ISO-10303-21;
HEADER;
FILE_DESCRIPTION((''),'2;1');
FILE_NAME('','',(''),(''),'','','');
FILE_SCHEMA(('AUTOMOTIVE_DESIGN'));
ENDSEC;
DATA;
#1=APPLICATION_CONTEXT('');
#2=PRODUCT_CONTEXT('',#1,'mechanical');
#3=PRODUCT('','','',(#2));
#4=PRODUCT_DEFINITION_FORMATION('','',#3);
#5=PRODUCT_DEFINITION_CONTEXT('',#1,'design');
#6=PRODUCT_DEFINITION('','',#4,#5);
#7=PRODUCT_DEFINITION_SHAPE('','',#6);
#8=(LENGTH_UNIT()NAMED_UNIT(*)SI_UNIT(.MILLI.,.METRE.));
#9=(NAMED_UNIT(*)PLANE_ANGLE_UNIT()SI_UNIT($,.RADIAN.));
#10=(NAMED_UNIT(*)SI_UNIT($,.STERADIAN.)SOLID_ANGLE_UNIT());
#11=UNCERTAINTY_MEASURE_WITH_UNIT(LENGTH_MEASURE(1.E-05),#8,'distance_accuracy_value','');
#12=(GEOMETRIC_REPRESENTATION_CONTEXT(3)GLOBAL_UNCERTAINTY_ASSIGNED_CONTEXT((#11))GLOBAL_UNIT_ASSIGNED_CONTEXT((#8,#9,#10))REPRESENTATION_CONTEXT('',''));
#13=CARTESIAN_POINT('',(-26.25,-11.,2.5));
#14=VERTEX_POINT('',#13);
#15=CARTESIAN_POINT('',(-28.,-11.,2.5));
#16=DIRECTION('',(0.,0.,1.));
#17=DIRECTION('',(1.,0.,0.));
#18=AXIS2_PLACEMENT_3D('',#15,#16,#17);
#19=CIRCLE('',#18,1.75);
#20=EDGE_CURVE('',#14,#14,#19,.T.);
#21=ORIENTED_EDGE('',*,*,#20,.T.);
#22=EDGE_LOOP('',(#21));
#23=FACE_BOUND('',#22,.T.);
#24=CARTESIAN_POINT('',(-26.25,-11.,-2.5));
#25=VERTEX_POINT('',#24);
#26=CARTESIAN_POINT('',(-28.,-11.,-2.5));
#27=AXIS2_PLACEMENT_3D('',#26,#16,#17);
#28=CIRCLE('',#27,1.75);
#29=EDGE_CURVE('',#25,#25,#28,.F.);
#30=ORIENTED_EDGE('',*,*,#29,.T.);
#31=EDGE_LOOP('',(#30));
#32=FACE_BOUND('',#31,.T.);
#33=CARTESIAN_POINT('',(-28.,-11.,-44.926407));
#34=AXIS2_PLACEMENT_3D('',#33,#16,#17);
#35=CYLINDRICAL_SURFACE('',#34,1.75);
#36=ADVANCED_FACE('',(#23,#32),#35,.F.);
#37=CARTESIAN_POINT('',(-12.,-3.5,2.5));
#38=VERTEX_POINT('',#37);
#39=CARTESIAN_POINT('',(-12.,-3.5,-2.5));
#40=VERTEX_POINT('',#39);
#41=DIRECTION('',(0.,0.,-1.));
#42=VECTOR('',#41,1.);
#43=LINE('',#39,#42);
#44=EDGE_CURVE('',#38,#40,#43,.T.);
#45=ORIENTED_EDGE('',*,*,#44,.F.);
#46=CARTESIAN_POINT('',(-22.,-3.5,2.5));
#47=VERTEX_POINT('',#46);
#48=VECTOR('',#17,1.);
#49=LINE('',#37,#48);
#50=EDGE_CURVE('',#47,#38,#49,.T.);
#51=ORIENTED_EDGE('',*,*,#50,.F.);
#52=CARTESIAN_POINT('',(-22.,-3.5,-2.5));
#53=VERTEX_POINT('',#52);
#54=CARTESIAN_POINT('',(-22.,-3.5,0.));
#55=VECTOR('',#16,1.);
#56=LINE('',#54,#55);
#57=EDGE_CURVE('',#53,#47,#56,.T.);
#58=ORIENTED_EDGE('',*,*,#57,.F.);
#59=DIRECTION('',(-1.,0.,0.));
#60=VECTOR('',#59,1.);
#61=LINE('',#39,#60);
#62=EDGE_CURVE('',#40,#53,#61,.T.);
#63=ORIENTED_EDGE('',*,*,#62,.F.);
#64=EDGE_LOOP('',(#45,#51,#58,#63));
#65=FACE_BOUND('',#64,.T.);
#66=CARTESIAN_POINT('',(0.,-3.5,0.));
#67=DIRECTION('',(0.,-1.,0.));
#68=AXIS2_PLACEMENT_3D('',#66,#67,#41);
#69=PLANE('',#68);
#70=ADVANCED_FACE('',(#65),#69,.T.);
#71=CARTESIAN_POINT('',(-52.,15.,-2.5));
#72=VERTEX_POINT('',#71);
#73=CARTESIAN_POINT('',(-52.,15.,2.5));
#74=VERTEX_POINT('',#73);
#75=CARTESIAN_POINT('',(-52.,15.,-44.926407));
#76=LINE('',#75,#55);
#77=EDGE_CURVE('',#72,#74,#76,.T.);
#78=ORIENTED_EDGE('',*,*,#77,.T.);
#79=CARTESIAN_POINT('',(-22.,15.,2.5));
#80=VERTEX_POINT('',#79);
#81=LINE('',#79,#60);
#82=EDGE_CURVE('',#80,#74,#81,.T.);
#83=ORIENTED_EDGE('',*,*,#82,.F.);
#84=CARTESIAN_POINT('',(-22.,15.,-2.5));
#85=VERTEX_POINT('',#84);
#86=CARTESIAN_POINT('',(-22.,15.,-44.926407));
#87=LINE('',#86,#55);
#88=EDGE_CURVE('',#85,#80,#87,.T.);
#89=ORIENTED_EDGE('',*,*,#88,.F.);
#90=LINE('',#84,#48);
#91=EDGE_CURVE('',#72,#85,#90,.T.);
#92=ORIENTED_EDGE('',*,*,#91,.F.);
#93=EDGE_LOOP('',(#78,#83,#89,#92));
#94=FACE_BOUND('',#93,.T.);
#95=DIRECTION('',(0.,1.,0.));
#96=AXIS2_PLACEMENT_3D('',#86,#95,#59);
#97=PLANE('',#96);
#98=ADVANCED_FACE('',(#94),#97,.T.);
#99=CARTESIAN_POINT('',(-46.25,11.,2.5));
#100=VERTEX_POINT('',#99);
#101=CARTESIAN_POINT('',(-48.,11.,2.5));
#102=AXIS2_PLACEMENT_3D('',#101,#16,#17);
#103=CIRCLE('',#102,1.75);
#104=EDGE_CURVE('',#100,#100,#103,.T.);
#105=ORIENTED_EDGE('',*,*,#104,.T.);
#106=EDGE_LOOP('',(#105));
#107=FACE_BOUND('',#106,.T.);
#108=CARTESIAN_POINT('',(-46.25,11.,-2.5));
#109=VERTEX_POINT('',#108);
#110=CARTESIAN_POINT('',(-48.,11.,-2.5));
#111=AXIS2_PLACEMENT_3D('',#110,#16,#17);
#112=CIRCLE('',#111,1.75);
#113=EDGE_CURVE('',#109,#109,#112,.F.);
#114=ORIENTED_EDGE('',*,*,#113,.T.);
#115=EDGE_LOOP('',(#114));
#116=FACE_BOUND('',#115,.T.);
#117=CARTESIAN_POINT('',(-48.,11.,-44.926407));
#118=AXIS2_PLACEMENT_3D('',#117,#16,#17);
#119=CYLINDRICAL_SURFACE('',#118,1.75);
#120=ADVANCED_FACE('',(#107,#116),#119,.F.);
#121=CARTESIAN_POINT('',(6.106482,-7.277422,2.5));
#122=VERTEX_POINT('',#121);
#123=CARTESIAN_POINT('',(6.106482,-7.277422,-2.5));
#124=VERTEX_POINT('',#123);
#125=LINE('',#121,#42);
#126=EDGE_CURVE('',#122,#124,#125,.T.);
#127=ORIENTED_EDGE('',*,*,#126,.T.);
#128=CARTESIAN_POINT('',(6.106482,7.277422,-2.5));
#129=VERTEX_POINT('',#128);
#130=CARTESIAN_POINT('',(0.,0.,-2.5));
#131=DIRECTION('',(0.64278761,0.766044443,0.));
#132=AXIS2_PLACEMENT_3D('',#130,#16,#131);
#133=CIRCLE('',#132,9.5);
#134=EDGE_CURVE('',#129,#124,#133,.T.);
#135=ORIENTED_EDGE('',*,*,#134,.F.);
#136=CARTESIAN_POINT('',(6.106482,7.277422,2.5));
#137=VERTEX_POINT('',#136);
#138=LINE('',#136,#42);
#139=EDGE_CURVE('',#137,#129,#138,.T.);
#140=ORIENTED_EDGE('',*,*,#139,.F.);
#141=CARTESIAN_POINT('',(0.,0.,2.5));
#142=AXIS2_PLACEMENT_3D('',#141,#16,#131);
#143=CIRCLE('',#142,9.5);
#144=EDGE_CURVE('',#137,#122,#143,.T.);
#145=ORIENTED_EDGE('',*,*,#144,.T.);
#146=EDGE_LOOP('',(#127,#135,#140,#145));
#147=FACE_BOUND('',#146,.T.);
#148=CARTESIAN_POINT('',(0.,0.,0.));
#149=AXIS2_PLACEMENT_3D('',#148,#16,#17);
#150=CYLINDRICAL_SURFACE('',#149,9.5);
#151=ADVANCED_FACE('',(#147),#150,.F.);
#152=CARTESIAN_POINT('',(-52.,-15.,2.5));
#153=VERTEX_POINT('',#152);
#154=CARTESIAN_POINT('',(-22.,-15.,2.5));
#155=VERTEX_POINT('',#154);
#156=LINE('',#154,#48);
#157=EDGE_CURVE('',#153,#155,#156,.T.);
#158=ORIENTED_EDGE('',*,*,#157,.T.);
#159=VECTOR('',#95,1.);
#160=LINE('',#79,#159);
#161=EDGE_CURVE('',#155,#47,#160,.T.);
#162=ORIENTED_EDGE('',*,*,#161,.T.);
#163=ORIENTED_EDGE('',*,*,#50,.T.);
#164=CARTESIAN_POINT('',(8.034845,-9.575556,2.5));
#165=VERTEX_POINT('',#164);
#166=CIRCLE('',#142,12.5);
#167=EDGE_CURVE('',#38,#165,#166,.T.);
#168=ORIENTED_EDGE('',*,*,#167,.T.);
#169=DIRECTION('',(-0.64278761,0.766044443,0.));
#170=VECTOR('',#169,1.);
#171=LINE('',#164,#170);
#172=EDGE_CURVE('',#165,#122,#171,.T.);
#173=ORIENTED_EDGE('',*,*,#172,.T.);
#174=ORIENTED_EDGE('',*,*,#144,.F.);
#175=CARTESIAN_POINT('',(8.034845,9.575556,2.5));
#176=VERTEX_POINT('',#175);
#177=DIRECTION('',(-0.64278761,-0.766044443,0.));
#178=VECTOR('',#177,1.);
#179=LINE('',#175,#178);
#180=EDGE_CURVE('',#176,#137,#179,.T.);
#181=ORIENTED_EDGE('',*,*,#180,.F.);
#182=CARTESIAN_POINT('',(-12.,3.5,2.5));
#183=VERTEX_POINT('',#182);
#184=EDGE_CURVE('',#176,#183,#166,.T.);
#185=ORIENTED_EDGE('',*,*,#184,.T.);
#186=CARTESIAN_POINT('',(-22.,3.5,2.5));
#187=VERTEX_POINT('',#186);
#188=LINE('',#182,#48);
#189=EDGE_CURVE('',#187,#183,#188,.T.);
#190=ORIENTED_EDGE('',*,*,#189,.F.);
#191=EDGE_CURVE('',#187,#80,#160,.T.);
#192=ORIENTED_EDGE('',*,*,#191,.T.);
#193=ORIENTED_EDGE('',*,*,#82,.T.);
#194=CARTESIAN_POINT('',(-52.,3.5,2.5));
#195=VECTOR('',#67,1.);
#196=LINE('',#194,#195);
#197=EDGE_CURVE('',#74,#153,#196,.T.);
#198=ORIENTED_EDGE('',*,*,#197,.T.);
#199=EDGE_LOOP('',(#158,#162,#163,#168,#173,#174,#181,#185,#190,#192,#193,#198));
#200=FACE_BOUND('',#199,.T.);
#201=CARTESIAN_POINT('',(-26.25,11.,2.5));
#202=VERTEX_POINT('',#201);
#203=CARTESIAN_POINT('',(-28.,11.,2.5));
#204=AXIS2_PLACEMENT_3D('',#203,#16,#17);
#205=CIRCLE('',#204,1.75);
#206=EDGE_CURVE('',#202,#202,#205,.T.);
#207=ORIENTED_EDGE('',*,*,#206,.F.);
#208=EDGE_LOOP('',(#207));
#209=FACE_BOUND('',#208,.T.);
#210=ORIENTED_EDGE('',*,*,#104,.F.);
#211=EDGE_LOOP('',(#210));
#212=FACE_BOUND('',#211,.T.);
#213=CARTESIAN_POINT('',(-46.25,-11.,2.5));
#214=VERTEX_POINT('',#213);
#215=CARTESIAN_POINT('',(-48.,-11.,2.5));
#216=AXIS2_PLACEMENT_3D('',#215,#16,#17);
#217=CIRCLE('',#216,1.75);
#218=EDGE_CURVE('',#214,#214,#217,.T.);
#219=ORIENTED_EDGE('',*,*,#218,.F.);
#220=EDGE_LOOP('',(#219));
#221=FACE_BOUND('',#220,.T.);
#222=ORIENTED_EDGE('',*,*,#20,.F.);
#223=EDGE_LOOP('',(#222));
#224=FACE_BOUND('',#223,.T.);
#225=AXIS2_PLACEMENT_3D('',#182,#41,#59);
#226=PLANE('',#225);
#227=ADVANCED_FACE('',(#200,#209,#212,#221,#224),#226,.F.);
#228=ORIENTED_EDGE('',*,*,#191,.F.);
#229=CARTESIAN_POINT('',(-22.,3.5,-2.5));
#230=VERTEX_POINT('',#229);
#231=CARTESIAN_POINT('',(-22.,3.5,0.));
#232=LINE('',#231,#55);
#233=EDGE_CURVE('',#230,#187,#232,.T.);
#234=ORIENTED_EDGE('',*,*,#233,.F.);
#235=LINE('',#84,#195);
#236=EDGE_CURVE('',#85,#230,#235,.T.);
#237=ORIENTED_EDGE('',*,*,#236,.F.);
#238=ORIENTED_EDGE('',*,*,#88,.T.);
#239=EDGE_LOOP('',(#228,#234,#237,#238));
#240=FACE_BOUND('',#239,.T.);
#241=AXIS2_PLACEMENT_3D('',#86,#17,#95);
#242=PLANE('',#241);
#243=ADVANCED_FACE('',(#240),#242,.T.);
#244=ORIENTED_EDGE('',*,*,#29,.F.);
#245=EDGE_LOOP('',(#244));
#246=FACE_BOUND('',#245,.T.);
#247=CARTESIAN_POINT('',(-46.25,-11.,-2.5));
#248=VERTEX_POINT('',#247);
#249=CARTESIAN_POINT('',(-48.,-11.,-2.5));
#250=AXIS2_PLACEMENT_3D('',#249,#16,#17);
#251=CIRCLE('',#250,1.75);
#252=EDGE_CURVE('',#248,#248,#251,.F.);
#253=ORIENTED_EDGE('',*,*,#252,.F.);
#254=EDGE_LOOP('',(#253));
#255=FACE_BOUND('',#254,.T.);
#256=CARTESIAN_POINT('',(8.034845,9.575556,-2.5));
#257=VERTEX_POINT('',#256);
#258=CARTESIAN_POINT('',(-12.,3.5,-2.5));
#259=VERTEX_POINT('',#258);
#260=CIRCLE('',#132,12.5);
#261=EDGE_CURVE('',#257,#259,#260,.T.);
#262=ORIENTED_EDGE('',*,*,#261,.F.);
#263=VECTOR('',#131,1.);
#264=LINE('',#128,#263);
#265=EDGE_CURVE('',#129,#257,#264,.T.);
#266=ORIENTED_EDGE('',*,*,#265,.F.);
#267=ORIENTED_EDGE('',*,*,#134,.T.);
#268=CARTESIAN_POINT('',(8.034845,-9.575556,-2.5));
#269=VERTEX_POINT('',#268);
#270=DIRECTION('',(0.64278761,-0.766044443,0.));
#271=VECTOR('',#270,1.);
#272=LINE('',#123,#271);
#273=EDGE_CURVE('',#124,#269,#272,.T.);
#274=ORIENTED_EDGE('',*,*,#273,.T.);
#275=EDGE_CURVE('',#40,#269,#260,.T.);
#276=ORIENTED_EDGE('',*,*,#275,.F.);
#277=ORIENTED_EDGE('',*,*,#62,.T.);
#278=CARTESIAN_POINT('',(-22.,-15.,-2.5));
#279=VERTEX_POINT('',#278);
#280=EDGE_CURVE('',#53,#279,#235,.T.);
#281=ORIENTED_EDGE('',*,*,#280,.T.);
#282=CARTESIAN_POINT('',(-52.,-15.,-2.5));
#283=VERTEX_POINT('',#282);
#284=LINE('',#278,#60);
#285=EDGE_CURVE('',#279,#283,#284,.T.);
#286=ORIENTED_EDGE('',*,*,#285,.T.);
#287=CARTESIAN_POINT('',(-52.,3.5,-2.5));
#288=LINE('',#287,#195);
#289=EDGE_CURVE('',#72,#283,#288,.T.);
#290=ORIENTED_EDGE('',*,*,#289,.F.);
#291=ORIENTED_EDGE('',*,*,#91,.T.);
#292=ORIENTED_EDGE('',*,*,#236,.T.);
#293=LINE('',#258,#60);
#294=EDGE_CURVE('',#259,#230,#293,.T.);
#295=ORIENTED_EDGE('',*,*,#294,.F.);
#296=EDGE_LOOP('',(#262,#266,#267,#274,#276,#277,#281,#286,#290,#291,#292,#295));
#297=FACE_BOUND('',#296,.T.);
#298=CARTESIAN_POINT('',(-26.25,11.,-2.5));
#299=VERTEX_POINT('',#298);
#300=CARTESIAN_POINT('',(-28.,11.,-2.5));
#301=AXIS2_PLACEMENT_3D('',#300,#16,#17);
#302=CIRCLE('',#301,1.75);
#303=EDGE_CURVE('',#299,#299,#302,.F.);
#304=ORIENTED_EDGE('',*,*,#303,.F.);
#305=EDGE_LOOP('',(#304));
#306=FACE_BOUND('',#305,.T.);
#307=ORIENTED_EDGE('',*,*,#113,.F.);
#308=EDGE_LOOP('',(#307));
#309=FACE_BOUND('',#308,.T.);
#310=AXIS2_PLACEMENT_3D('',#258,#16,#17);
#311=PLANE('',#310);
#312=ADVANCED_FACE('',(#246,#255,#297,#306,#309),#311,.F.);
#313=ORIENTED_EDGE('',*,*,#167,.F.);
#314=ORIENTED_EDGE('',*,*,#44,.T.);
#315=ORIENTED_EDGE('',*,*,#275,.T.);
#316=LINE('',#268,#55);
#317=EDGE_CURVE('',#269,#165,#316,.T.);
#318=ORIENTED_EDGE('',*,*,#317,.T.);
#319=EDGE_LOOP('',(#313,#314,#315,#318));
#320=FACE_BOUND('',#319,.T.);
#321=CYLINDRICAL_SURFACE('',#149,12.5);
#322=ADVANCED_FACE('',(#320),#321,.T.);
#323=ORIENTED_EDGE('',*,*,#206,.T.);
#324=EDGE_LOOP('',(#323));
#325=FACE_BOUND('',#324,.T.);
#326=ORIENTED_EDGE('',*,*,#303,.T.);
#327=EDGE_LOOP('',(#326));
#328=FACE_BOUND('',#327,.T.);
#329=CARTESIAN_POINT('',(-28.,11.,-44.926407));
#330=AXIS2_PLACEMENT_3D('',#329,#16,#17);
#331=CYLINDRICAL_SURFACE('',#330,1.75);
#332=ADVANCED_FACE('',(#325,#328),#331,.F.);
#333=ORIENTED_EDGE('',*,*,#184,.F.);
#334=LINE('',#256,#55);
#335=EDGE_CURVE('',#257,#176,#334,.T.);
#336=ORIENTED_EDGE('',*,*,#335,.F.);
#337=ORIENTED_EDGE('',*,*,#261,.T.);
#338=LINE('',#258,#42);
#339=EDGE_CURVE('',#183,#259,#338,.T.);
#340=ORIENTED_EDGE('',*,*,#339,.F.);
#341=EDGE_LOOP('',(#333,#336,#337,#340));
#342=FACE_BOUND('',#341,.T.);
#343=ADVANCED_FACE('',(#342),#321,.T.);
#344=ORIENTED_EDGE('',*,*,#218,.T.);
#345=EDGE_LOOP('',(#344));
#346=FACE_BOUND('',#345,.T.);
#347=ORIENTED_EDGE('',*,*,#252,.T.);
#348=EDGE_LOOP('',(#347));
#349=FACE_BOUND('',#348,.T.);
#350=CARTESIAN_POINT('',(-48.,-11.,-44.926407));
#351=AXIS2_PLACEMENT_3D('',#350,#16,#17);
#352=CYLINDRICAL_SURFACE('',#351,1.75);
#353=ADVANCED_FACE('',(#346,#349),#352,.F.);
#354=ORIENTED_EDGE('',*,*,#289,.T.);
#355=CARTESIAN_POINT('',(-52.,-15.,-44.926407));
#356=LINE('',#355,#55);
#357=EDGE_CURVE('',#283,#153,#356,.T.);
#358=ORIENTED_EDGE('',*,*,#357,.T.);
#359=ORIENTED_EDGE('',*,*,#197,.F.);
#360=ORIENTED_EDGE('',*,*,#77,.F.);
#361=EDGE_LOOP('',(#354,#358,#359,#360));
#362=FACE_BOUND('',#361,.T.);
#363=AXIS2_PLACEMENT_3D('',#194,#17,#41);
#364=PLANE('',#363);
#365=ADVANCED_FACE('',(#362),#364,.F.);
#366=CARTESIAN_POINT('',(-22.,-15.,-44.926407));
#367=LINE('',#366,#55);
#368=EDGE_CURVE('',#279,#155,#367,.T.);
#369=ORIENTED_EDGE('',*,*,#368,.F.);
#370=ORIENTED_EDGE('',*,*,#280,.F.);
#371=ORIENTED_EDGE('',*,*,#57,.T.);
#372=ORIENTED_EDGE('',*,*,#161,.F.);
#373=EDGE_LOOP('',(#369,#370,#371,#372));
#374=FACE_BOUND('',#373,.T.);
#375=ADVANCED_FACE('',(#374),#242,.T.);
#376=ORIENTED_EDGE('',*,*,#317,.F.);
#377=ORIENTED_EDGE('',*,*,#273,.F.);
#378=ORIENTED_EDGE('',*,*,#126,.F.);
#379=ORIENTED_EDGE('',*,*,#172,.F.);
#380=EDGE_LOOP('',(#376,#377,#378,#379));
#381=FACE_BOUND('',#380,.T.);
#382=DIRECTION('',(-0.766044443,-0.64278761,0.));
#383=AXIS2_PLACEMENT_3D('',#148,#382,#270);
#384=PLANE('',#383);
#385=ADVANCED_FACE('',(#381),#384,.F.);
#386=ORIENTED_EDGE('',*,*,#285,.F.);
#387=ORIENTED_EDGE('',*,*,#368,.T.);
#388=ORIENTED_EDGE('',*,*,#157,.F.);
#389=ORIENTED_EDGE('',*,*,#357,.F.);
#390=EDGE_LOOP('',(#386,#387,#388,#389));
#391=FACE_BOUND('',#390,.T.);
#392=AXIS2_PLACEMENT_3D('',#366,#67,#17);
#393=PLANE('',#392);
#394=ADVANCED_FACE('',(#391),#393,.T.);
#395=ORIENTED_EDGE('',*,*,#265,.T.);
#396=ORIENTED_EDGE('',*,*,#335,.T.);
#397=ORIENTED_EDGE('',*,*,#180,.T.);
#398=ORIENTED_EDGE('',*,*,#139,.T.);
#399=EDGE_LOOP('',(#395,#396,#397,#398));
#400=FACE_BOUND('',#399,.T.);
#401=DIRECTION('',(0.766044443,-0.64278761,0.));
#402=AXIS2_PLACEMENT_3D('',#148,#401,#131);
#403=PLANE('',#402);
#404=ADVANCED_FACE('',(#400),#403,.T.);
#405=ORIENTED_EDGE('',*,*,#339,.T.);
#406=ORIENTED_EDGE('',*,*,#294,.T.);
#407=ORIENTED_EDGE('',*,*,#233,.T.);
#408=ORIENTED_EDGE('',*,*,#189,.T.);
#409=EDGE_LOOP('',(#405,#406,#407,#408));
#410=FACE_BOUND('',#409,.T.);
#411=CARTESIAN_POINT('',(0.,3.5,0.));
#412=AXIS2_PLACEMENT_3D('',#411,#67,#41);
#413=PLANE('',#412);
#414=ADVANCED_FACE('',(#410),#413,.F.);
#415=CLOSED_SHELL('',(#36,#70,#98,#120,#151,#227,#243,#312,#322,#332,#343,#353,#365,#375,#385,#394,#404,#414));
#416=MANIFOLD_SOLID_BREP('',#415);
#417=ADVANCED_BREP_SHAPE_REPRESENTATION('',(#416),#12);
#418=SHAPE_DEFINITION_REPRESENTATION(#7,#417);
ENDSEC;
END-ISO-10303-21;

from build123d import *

# Parameters (mm, degrees)
ESBO_O14_W               = 40
ESBO_O14_H               = 5
RESSALTO_EXTRUS_O1_DEPTH = 3.5
ESBO_O15_W               = 30
ESBO_O15_H               = 30
ESBO_O15_R               = 1.75
RESSALTO_EXTRUS_O2_DEPTH = 5


with BuildPart() as part:
    # Esboço14 → Ressalto-extrusão1 (new, symmetric)
    with BuildSketch(Plane(origin=(0, 0, 0), x_dir=(1, 0, 0), z_dir=(0, 1, 0))):
        with Locations((-32, 0)):
            Rectangle(ESBO_O14_W, ESBO_O14_H)
    extrude(amount=RESSALTO_EXTRUS_O1_DEPTH, both=True)

    # Varredura1: sweep along a path in Esboço1
    with BuildLine(Plane.XY) as varredura1_path:
        ThreePointArc((7.070663707, 8.426488874), (-11, 0), (7.070663707, -8.426488874))
    # 3DSketch2 → Varredura1 (sweep)
    with BuildSketch(Plane(origin=(8.034845121, -9.575555539, 2.5), x_dir=(-0.33071149682512846, 0.39412661445355873, -0.8574929257125443), z_dir=(0.7660444431189768, 0.6427876096865409, 3.624573608241852e-15))):
        Polygon((0, 0), (1.543487266, 2.572478777), (5.830951895, 0), (4.287464629, -2.572478777), align=None)
    sweep(path=varredura1_path.line)

    # Esboço15 → Ressalto-extrusão2 (add)
    with BuildSketch(Plane.XY.offset(2.5)):
        with Locations((-37, 0)):
            Rectangle(ESBO_O15_W, ESBO_O15_H)
        with Locations((-48, 11)):
            Circle(ESBO_O15_R, mode=Mode.SUBTRACT)
        with Locations((-28, 11)):
            Circle(ESBO_O15_R, mode=Mode.SUBTRACT)
        with Locations((-28, -11)):
            Circle(ESBO_O15_R, mode=Mode.SUBTRACT)
        with Locations((-48, -11)):
            Circle(ESBO_O15_R, mode=Mode.SUBTRACT)
    extrude(amount=-RESSALTO_EXTRUS_O2_DEPTH)


solid = part.part
